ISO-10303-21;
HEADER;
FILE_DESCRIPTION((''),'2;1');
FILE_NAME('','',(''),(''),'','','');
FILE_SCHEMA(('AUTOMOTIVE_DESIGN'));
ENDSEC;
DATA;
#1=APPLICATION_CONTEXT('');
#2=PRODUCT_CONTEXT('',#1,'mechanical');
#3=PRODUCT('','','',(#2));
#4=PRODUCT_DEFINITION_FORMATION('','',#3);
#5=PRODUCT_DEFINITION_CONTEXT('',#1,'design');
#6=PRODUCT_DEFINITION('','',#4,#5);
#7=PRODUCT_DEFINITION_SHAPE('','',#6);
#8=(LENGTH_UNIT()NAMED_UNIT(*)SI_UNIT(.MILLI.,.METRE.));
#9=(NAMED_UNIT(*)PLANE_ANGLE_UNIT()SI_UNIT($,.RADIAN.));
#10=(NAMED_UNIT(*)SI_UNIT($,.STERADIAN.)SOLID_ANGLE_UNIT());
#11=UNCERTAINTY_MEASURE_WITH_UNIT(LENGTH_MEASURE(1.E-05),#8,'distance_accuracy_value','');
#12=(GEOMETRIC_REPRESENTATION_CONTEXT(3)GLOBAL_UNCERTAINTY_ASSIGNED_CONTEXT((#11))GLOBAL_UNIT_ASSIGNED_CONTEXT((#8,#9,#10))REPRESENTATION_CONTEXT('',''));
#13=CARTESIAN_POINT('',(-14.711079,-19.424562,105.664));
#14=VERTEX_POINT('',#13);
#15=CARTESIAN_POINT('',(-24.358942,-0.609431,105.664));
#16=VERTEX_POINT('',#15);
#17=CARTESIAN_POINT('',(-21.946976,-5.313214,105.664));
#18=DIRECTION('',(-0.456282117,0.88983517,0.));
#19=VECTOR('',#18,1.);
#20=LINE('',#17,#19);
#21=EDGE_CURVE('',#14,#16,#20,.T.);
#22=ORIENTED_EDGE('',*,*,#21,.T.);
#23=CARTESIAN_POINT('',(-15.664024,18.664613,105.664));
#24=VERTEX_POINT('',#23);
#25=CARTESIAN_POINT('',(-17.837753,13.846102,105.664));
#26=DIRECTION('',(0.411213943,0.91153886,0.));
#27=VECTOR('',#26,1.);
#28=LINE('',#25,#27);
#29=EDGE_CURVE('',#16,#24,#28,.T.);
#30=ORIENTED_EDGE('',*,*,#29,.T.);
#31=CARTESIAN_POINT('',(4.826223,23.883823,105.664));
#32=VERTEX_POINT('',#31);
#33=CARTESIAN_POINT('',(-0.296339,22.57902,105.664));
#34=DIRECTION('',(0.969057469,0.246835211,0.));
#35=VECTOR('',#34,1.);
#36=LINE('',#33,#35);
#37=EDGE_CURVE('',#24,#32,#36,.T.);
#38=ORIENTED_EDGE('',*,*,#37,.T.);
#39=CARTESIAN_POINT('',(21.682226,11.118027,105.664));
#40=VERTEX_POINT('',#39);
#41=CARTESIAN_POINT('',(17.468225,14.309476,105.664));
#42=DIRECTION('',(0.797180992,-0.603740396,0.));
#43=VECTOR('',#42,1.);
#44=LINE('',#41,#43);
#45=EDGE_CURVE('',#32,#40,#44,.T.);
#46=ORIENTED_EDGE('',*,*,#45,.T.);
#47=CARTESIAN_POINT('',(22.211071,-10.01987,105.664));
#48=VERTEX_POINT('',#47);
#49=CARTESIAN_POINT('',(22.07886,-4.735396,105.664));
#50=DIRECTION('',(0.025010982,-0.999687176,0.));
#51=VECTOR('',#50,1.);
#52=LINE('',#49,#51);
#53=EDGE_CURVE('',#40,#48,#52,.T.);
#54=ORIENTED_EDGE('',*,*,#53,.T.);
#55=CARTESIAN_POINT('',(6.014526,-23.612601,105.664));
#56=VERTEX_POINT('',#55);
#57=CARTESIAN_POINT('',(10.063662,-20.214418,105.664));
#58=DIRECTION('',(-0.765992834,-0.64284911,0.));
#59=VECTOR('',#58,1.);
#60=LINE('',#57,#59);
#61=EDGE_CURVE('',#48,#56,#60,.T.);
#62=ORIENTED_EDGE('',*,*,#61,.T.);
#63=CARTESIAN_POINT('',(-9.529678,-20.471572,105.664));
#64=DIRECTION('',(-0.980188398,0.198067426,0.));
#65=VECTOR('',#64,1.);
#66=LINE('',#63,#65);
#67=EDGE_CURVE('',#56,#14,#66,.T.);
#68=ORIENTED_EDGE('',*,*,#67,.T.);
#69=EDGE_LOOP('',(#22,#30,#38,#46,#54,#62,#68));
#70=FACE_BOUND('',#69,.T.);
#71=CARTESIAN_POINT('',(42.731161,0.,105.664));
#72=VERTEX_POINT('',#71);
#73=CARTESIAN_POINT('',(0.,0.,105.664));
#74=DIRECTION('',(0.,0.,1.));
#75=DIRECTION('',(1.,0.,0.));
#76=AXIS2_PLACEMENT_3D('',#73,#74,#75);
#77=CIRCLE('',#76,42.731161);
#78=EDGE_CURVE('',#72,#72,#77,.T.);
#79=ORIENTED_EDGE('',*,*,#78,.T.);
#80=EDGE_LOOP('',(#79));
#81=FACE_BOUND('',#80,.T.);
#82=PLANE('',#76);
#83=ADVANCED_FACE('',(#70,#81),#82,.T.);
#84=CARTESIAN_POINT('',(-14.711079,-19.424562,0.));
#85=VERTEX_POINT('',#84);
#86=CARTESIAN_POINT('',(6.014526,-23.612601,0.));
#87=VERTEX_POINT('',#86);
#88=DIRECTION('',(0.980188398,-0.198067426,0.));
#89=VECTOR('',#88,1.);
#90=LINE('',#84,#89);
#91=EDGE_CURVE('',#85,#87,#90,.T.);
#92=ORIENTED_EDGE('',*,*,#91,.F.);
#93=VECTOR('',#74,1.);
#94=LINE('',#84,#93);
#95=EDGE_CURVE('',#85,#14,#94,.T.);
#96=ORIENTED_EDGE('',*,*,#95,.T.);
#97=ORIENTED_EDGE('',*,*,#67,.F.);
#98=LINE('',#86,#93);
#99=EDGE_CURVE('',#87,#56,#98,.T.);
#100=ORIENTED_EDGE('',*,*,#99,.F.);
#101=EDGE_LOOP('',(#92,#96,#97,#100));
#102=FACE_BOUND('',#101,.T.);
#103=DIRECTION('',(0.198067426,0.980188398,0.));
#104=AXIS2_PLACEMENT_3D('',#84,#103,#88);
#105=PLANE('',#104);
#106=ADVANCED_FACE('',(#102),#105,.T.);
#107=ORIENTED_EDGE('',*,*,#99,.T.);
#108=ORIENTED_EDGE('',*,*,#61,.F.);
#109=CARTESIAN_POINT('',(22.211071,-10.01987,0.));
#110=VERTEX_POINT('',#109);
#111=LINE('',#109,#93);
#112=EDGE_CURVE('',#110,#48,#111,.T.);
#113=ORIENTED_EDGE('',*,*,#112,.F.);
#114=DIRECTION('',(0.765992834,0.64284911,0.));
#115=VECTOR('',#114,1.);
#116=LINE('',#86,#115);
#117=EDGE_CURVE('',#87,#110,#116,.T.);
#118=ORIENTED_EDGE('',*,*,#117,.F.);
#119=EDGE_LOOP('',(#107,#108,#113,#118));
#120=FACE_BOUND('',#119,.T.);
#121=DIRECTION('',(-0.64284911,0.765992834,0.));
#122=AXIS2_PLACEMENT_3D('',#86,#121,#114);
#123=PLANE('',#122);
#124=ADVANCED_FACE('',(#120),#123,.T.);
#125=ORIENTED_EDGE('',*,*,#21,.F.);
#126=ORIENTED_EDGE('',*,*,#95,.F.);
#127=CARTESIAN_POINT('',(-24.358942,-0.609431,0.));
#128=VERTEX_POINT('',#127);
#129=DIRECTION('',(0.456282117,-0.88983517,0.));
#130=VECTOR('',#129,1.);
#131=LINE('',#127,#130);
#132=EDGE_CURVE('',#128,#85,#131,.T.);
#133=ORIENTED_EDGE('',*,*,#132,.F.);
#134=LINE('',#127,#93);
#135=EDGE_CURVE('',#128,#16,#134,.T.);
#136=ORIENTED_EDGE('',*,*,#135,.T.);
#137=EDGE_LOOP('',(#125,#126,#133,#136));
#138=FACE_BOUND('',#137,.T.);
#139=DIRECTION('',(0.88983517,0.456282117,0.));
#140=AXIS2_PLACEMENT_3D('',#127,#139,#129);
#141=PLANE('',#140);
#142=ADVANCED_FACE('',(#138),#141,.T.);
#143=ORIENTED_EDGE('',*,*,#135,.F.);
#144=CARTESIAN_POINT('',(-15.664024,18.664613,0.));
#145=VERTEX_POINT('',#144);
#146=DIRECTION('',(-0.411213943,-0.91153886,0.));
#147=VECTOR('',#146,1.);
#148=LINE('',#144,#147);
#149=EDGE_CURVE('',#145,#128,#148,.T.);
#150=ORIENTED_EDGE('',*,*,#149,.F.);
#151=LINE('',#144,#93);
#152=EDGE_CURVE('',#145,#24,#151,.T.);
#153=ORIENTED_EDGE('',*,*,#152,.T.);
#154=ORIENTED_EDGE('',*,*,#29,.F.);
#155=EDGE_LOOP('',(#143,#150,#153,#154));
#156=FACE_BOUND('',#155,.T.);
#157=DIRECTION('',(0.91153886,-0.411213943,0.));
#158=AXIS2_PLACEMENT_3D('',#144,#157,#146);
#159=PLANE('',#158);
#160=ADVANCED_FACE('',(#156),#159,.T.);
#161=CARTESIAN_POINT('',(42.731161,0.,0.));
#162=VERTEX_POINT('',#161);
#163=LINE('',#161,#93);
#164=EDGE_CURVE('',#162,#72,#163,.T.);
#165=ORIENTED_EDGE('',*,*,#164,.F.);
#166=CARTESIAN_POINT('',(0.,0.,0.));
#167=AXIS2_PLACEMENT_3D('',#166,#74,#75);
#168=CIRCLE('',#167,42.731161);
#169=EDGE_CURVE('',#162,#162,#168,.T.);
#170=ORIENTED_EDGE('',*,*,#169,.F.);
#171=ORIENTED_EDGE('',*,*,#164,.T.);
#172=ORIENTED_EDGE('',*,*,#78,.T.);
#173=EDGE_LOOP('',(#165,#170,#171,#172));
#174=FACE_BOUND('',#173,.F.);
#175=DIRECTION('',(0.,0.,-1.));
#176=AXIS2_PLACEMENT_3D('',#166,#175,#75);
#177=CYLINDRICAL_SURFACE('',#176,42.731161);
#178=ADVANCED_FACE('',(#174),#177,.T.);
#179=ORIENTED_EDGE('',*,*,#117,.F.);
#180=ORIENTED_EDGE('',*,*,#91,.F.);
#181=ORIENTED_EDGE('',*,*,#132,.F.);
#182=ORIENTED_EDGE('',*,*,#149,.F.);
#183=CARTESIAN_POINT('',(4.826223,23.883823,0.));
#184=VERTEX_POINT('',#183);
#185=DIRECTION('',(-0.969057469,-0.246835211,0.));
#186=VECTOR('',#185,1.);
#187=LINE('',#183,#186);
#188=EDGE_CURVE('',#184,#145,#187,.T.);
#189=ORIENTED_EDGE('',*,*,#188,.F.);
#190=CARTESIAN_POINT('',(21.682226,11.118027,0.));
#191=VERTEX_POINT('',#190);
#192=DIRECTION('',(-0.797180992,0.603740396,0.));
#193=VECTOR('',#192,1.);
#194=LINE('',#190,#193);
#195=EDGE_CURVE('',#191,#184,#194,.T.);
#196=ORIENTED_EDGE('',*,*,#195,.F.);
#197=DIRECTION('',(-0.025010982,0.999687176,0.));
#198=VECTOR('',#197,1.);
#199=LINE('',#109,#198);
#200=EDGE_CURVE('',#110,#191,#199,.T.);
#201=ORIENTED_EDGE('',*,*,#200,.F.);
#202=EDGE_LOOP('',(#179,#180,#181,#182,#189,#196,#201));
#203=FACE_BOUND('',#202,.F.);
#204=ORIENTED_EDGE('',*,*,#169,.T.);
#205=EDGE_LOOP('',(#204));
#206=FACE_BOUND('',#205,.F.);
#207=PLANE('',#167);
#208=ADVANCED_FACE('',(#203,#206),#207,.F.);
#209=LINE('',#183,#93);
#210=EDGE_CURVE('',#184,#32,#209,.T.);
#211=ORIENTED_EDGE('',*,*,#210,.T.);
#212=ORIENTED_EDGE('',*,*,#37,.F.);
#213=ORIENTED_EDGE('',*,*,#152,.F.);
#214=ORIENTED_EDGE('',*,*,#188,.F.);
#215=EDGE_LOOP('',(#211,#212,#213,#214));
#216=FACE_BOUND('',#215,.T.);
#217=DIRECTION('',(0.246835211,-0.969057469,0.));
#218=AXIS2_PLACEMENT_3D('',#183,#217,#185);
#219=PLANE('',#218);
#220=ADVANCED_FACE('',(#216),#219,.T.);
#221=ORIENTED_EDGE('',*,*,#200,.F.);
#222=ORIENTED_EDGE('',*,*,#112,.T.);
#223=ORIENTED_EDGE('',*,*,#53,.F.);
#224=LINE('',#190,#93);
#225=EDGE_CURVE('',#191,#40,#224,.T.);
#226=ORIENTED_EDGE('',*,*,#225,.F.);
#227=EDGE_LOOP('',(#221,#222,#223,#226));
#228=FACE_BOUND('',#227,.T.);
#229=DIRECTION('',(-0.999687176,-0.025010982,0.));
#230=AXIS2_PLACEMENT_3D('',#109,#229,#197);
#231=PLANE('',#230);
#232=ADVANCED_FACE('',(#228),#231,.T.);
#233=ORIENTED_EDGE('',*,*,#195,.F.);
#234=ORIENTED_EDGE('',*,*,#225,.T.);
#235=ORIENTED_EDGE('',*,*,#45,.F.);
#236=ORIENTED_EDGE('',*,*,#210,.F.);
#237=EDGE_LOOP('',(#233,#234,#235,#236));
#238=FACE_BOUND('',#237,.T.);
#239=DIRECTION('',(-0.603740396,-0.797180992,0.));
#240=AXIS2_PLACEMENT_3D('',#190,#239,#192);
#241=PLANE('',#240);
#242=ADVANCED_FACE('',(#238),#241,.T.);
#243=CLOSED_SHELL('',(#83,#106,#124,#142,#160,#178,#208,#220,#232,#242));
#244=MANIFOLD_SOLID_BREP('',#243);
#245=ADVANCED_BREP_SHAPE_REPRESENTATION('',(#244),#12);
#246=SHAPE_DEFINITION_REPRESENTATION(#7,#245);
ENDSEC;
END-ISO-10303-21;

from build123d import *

# Parameters (mm, degrees)
F0_R     = 42.731161
F1_DEPTH = 105.664
F3_DEPTH = 105.665


with BuildPart() as f1:
    # F0 (on Top) → F1 (new body)
    with BuildSketch(Plane.XY):
        Circle(F0_R)
    extrude(amount=F1_DEPTH)

    # F2 (on Top) → F3 (cut, through all)
    with BuildSketch(Plane.XY):
        Polygon((4.826223, 23.883823), (-15.664024, 18.664613), (-24.358942, -0.609431), (-14.711079, -19.424562), (6.014526, -23.612601), (22.211071, -10.01987), (21.682226, 11.118027), align=None)
    extrude(amount=F3_DEPTH, mode=Mode.SUBTRACT)


solid = f1.part
